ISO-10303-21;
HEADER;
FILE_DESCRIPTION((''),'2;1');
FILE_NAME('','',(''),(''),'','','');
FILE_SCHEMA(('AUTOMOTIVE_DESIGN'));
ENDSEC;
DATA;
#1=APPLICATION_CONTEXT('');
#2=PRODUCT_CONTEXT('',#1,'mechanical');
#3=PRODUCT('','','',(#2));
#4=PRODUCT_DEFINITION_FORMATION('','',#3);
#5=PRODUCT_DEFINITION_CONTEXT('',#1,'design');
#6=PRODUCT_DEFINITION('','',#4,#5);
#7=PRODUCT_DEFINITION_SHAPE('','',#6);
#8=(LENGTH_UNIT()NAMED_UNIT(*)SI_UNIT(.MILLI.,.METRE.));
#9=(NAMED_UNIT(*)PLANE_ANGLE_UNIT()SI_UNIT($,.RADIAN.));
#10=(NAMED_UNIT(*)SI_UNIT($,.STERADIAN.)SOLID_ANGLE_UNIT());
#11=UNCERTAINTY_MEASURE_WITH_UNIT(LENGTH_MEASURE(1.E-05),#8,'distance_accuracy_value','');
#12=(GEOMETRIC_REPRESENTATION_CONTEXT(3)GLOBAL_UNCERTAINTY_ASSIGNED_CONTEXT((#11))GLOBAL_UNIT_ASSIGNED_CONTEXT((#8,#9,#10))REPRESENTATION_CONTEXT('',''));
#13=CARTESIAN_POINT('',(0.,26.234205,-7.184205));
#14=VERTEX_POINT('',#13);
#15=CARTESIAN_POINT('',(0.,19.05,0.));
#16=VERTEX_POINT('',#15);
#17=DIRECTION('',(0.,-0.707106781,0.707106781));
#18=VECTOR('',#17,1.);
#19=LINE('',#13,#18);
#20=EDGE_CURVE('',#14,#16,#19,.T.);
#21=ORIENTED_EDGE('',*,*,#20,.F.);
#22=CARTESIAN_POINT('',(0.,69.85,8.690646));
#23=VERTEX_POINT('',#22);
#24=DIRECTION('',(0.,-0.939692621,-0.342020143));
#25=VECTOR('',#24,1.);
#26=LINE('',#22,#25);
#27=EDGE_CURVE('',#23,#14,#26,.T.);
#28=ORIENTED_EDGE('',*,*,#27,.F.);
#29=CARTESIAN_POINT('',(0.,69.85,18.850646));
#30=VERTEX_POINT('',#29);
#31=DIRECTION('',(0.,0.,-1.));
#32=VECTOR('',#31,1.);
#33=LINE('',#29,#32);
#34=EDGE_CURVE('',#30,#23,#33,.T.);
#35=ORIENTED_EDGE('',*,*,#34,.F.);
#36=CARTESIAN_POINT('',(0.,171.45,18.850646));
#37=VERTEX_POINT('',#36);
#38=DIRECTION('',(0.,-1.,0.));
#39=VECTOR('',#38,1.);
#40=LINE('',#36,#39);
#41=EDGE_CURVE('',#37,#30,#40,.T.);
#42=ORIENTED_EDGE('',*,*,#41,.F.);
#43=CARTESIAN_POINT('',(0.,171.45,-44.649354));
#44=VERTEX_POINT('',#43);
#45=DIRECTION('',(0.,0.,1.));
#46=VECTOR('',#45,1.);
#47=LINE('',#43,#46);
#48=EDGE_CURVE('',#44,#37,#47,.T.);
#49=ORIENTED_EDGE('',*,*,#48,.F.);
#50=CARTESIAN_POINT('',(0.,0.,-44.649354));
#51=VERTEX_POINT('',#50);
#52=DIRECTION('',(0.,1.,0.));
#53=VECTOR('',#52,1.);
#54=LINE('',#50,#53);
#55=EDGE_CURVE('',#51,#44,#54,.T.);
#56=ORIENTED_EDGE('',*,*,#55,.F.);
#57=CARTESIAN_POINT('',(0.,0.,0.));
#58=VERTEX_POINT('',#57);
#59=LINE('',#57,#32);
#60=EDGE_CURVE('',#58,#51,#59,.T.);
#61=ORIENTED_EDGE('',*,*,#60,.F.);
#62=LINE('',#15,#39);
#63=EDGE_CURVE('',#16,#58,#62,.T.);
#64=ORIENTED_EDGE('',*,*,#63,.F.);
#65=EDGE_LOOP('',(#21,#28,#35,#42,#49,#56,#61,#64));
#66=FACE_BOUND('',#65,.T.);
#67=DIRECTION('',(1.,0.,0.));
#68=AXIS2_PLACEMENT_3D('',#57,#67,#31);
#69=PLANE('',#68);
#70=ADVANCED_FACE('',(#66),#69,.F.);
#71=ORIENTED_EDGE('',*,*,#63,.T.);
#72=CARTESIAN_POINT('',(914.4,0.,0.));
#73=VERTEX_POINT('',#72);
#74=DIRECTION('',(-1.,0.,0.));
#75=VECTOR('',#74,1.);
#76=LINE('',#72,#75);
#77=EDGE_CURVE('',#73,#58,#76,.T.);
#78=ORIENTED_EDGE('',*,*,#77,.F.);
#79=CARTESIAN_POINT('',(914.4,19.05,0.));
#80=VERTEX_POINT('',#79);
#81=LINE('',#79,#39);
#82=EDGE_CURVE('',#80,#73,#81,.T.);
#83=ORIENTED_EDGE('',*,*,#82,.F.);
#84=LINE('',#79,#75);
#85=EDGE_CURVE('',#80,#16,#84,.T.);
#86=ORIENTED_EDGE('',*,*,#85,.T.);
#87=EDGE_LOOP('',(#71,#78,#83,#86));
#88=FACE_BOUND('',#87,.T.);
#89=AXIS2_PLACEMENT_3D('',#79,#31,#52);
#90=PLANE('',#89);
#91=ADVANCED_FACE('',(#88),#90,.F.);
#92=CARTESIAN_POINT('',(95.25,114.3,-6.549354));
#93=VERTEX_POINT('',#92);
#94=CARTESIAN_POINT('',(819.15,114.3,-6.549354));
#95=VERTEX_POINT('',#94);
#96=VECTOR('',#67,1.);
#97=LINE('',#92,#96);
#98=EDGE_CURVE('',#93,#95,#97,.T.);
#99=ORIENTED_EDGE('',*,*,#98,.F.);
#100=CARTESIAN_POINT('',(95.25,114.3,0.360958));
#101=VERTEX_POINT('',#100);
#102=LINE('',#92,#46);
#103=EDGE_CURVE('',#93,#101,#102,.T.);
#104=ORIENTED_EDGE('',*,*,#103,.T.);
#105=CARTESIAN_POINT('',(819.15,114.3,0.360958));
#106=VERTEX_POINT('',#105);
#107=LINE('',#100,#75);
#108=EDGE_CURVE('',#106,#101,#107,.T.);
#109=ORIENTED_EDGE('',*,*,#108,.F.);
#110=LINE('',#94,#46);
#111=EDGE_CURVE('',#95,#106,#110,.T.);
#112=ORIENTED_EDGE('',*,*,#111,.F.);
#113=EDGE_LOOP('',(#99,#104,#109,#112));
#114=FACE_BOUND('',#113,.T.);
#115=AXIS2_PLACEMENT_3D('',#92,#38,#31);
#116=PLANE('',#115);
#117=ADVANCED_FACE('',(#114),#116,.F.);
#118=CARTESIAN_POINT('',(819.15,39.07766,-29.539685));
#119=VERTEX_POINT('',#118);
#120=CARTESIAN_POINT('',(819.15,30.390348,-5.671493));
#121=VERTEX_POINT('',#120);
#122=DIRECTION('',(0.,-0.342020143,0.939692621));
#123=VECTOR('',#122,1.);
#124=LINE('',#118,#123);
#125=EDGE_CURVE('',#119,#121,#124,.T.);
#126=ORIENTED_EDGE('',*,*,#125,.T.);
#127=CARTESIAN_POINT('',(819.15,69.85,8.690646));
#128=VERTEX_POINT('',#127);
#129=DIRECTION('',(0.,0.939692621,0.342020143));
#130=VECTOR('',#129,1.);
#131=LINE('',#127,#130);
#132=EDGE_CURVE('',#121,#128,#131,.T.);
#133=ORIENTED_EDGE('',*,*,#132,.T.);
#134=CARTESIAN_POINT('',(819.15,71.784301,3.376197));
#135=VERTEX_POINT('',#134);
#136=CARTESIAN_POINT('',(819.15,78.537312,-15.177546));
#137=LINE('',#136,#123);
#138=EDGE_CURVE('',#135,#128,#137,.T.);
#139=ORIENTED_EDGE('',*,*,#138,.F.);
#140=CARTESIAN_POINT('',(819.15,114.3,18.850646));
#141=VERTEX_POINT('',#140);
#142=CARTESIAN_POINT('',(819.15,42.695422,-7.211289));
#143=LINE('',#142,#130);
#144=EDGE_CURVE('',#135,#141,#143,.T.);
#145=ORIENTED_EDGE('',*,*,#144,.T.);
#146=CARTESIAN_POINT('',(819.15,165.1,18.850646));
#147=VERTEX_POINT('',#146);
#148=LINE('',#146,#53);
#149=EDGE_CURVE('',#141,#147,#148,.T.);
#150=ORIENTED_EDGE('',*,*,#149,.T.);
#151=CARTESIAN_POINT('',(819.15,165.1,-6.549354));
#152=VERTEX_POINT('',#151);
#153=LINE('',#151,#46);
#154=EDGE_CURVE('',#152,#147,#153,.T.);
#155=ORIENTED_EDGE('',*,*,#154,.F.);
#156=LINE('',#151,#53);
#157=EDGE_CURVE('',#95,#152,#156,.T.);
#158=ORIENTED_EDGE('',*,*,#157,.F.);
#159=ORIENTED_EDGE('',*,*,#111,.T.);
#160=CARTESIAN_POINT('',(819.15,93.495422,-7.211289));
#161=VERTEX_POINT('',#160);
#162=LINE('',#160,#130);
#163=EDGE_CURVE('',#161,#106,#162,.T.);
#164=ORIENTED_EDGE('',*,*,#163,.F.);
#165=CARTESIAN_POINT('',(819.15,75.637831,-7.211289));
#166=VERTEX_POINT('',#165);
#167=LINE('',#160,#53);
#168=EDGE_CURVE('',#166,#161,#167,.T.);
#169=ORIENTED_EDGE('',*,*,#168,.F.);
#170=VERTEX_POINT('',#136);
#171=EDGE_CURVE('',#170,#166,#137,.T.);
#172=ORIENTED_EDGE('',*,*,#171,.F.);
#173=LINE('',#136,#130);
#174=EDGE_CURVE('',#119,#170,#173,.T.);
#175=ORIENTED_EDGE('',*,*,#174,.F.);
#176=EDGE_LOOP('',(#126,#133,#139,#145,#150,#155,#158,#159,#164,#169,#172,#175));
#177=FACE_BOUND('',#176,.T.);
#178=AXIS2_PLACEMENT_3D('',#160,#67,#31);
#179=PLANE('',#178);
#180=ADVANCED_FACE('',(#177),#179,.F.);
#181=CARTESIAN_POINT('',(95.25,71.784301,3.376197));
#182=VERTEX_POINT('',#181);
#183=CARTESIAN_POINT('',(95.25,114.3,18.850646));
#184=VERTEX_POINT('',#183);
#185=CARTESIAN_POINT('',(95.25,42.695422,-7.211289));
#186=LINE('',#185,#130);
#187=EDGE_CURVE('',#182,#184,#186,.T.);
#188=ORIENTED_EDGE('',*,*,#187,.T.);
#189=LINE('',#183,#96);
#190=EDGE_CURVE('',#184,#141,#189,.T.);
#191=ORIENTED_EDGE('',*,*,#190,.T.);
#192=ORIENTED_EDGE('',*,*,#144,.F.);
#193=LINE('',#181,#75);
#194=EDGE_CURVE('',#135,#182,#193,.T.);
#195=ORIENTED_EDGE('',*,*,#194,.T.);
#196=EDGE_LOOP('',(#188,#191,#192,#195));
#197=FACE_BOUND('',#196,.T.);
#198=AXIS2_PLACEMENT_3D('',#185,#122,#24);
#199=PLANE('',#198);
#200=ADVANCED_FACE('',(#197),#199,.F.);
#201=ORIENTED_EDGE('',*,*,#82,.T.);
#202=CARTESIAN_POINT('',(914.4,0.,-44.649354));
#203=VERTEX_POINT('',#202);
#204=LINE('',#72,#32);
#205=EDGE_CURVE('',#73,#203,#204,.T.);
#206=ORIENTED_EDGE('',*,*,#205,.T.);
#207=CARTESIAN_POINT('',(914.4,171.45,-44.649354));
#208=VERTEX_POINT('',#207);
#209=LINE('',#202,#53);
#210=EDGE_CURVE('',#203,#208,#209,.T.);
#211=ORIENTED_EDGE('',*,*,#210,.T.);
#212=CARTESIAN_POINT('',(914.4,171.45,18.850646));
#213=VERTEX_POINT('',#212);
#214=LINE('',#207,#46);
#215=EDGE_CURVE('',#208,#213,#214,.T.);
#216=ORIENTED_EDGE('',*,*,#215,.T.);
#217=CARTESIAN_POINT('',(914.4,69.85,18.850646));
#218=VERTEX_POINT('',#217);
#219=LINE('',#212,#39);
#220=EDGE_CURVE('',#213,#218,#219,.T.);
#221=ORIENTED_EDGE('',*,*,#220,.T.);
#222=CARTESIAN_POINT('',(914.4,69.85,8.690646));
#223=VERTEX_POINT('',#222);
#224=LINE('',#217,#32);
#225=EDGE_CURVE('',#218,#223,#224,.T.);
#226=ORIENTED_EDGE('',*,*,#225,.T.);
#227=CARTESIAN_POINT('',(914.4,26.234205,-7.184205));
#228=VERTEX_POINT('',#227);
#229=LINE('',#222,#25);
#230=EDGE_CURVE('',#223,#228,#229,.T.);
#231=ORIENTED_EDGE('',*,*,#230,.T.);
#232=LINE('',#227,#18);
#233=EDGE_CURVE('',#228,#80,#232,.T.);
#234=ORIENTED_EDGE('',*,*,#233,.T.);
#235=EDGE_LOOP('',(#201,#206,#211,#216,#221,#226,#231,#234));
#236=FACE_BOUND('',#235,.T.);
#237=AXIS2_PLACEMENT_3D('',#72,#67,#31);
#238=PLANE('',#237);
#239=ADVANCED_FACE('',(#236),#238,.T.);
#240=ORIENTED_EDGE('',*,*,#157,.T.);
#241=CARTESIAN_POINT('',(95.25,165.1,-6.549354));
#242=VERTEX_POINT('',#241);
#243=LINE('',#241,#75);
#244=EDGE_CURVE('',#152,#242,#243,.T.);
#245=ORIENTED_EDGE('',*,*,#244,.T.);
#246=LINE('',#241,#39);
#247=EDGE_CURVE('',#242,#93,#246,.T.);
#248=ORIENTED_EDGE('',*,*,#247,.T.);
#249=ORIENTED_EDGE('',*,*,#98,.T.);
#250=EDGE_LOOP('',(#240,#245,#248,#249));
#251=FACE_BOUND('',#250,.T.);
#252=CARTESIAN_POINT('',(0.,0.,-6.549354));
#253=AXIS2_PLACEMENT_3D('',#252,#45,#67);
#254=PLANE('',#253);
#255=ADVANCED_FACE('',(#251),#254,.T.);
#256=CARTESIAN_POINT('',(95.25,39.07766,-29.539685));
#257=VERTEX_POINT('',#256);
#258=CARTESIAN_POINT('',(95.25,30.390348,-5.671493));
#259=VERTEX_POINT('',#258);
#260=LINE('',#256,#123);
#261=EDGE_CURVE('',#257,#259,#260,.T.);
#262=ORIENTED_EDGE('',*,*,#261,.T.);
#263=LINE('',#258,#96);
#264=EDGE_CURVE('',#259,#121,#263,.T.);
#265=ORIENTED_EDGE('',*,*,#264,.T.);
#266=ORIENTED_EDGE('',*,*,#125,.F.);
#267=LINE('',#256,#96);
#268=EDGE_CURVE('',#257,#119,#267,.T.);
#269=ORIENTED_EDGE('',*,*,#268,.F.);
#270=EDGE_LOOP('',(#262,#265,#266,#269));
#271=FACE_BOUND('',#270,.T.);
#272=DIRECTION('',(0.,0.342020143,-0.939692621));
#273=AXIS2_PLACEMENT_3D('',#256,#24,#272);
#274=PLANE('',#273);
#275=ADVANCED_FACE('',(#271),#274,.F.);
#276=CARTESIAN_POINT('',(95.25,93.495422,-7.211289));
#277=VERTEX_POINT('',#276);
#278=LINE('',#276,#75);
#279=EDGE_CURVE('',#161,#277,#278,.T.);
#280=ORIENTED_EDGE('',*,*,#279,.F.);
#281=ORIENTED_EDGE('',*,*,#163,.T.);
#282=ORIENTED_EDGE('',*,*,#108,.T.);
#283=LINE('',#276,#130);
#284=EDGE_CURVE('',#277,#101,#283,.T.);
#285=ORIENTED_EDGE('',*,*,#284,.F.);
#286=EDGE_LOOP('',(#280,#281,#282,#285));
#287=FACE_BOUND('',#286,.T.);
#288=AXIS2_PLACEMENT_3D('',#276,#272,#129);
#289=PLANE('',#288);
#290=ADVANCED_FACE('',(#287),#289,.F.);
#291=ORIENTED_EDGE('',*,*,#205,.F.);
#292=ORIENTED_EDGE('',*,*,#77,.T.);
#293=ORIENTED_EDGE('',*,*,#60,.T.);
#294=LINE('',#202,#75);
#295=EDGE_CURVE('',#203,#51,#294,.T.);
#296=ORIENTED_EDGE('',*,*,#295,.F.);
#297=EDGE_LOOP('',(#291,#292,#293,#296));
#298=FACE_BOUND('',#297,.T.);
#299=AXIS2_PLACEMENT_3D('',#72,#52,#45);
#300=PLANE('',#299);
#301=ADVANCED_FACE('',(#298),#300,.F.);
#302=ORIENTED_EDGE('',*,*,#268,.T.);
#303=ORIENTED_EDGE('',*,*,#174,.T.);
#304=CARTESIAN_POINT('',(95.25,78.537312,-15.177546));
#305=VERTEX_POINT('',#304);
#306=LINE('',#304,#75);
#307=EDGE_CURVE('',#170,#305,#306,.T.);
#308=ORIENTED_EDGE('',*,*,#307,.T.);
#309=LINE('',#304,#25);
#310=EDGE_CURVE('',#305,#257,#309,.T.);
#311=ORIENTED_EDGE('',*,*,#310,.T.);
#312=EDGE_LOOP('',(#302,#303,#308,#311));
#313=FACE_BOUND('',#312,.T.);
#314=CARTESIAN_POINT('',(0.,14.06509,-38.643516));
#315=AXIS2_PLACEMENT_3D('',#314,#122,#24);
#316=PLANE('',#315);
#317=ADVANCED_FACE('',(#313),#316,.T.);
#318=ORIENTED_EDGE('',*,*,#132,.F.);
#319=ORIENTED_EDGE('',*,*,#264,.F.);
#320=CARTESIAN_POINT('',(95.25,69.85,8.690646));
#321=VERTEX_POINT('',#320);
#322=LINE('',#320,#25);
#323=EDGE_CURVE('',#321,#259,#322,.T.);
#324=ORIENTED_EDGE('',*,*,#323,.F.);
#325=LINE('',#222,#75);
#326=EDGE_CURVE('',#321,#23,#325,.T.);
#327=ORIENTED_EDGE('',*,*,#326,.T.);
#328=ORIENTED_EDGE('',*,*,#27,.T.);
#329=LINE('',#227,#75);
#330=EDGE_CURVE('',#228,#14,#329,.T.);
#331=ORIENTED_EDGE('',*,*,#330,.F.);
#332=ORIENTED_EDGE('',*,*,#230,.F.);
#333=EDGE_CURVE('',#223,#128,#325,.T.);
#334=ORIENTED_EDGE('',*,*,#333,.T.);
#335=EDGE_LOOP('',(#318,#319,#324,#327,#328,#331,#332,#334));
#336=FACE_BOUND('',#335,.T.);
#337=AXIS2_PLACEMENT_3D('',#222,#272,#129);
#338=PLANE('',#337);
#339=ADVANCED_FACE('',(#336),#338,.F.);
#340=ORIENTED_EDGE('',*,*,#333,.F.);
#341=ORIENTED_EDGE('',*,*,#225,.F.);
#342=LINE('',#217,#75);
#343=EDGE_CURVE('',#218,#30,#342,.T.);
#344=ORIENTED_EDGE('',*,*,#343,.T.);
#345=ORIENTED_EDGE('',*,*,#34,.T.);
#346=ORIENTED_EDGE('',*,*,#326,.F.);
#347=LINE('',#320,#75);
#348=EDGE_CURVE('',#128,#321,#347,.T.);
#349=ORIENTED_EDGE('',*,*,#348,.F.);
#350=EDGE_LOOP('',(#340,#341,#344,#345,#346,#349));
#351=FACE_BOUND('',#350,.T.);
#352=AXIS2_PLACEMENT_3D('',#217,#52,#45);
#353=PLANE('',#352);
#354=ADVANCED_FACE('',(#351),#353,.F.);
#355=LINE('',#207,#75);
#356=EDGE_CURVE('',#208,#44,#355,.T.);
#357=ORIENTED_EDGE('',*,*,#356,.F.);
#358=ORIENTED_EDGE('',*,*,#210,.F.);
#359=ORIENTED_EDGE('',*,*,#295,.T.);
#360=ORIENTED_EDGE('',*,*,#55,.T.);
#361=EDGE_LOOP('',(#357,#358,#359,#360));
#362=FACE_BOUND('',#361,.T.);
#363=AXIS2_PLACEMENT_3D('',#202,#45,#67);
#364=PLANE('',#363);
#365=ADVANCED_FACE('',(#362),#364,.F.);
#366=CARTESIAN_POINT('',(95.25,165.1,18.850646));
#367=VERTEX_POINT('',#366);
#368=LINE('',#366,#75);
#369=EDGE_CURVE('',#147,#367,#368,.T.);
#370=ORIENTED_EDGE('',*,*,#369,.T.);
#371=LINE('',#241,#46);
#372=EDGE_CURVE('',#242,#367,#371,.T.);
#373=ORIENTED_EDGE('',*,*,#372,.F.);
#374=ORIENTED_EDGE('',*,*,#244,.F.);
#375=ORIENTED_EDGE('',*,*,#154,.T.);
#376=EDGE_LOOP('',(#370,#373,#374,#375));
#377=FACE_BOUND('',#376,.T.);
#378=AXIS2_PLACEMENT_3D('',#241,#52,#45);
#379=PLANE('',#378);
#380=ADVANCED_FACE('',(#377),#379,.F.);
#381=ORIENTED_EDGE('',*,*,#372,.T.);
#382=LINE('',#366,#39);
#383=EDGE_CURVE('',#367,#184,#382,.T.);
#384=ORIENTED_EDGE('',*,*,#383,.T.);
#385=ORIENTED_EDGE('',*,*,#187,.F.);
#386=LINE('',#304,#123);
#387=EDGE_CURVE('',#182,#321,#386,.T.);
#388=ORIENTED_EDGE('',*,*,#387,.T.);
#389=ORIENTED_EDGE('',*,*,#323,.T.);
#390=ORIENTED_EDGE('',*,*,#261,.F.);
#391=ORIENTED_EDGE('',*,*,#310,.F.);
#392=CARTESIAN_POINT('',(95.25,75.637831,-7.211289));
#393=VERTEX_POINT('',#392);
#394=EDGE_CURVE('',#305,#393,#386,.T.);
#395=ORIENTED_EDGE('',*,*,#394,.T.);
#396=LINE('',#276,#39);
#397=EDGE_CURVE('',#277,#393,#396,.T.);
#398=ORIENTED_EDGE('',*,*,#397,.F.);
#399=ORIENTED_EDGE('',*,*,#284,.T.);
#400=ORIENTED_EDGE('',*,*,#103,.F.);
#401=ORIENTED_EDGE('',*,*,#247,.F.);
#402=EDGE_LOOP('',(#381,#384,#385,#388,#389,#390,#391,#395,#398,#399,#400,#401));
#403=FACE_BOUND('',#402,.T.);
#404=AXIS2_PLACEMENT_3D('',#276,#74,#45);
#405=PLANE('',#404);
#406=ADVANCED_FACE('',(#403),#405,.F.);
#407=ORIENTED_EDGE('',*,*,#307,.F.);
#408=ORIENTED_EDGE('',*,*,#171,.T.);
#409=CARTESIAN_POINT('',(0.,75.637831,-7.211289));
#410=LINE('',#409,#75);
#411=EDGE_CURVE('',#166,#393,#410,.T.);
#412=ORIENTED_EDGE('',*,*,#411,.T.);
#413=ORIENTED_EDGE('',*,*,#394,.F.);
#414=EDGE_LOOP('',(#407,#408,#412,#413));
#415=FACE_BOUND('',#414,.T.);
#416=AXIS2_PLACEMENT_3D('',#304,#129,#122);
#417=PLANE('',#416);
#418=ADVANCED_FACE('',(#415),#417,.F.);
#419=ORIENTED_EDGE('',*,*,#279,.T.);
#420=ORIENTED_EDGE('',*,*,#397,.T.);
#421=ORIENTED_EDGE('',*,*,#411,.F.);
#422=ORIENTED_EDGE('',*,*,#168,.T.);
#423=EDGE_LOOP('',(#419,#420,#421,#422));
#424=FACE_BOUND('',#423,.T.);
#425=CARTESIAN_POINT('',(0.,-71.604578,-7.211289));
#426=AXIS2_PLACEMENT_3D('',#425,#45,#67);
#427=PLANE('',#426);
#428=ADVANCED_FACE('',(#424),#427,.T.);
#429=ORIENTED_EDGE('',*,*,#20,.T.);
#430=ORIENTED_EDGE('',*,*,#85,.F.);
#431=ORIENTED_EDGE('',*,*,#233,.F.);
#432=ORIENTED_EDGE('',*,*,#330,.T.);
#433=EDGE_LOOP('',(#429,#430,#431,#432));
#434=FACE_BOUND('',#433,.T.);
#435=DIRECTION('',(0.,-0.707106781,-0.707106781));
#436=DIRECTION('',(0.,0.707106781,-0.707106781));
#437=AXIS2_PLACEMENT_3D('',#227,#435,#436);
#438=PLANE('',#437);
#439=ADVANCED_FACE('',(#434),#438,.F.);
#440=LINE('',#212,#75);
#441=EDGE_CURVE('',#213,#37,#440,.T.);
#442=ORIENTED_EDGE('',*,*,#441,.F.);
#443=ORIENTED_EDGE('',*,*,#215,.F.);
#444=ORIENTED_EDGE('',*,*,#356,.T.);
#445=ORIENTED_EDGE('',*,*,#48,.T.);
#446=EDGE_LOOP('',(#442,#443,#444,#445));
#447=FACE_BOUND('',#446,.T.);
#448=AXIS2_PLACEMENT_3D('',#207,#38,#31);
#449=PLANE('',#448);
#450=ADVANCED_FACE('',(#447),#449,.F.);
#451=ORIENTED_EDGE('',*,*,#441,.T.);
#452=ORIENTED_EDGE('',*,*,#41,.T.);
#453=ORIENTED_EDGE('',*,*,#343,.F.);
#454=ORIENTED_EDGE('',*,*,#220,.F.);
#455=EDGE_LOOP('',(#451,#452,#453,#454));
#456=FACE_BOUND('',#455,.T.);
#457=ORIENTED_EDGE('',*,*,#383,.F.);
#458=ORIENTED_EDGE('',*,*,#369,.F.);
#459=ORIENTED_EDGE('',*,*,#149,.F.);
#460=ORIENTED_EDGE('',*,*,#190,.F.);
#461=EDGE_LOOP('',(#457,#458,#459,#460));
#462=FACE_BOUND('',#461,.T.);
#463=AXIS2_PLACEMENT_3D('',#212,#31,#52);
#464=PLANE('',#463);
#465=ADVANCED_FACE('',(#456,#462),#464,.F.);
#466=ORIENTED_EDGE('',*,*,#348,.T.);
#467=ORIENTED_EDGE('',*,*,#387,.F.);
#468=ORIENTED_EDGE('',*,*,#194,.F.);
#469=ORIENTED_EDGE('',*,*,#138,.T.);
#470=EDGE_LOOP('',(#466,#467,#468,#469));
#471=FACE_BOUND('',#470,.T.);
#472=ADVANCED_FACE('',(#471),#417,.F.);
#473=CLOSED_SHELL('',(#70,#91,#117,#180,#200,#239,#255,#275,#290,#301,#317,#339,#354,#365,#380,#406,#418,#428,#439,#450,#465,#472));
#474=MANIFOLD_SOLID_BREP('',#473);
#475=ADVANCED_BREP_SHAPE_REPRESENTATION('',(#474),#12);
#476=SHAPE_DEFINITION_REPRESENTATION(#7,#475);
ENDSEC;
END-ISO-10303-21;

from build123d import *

# Parameters (mm, degrees)
BOSS_EXTRUDE1_DEPTH = 914.4
SKETCH2_W           = 723.9
SKETCH2_H           = 50.8
CUT_EXTRUDE1_DEPTH  = 76.2
SKETCH2_2_W         = 723.9
SKETCH2_2_H         = 50.8
CUT_EXTRUDE2_DEPTH  = 25.4
SKETCH3_W           = 723.9
SKETCH3_H           = 41.992084525
CUT_EXTRUDE3_DEPTH  = 25.4


with BuildPart() as part:
    # Sketch1 → Boss-Extrude1 (new body)
    with BuildSketch(Plane(origin=(0, 0, 0), x_dir=(0, 0, -1), z_dir=(1, 0, 0))):
        Polygon((0, 0), (44.649353735, 0), (44.649353735, 171.45), (-18.850646265, 171.45), (-18.850646265, 69.85), (-8.690646265, 69.85), (7.184204897, 26.234204897), (0, 19.05), align=None)
    extrude(amount=BOSS_EXTRUDE1_DEPTH)

    # Sketch2 → Cut-Extrude1 (cut, along a direction that is not the sketch's normal)
    with BuildSketch(Plane.XY.offset(18.850646265)):
        with Locations((457.2, 139.7)):
            Rectangle(SKETCH2_W, SKETCH2_H)
    extrude(amount=-CUT_EXTRUDE1_DEPTH, dir=(0, 0.9396926207859081, 0.34202014332566966), mode=Mode.SUBTRACT)

    # Sketch2<2> → Cut-Extrude2 (cut)
    with BuildSketch(Plane.XY.offset(18.850646265)):
        with Locations((457.2, 139.7)):
            Rectangle(SKETCH2_2_W, SKETCH2_2_H)
    extrude(amount=-CUT_EXTRUDE2_DEPTH, mode=Mode.SUBTRACT)

    # Sketch3 → Cut-Extrude3 (cut)
    with BuildSketch(Plane(origin=(0, 5.377777955, -14.775323497), x_dir=(1, 0, 0), z_dir=(0, -0.34202014332566977, 0.9396926207859081))):
        with Locations((457.2, 47.613863381)):
            Rectangle(SKETCH3_W, SKETCH3_H)
    extrude(amount=-CUT_EXTRUDE3_DEPTH, mode=Mode.SUBTRACT)


solid = part.part
